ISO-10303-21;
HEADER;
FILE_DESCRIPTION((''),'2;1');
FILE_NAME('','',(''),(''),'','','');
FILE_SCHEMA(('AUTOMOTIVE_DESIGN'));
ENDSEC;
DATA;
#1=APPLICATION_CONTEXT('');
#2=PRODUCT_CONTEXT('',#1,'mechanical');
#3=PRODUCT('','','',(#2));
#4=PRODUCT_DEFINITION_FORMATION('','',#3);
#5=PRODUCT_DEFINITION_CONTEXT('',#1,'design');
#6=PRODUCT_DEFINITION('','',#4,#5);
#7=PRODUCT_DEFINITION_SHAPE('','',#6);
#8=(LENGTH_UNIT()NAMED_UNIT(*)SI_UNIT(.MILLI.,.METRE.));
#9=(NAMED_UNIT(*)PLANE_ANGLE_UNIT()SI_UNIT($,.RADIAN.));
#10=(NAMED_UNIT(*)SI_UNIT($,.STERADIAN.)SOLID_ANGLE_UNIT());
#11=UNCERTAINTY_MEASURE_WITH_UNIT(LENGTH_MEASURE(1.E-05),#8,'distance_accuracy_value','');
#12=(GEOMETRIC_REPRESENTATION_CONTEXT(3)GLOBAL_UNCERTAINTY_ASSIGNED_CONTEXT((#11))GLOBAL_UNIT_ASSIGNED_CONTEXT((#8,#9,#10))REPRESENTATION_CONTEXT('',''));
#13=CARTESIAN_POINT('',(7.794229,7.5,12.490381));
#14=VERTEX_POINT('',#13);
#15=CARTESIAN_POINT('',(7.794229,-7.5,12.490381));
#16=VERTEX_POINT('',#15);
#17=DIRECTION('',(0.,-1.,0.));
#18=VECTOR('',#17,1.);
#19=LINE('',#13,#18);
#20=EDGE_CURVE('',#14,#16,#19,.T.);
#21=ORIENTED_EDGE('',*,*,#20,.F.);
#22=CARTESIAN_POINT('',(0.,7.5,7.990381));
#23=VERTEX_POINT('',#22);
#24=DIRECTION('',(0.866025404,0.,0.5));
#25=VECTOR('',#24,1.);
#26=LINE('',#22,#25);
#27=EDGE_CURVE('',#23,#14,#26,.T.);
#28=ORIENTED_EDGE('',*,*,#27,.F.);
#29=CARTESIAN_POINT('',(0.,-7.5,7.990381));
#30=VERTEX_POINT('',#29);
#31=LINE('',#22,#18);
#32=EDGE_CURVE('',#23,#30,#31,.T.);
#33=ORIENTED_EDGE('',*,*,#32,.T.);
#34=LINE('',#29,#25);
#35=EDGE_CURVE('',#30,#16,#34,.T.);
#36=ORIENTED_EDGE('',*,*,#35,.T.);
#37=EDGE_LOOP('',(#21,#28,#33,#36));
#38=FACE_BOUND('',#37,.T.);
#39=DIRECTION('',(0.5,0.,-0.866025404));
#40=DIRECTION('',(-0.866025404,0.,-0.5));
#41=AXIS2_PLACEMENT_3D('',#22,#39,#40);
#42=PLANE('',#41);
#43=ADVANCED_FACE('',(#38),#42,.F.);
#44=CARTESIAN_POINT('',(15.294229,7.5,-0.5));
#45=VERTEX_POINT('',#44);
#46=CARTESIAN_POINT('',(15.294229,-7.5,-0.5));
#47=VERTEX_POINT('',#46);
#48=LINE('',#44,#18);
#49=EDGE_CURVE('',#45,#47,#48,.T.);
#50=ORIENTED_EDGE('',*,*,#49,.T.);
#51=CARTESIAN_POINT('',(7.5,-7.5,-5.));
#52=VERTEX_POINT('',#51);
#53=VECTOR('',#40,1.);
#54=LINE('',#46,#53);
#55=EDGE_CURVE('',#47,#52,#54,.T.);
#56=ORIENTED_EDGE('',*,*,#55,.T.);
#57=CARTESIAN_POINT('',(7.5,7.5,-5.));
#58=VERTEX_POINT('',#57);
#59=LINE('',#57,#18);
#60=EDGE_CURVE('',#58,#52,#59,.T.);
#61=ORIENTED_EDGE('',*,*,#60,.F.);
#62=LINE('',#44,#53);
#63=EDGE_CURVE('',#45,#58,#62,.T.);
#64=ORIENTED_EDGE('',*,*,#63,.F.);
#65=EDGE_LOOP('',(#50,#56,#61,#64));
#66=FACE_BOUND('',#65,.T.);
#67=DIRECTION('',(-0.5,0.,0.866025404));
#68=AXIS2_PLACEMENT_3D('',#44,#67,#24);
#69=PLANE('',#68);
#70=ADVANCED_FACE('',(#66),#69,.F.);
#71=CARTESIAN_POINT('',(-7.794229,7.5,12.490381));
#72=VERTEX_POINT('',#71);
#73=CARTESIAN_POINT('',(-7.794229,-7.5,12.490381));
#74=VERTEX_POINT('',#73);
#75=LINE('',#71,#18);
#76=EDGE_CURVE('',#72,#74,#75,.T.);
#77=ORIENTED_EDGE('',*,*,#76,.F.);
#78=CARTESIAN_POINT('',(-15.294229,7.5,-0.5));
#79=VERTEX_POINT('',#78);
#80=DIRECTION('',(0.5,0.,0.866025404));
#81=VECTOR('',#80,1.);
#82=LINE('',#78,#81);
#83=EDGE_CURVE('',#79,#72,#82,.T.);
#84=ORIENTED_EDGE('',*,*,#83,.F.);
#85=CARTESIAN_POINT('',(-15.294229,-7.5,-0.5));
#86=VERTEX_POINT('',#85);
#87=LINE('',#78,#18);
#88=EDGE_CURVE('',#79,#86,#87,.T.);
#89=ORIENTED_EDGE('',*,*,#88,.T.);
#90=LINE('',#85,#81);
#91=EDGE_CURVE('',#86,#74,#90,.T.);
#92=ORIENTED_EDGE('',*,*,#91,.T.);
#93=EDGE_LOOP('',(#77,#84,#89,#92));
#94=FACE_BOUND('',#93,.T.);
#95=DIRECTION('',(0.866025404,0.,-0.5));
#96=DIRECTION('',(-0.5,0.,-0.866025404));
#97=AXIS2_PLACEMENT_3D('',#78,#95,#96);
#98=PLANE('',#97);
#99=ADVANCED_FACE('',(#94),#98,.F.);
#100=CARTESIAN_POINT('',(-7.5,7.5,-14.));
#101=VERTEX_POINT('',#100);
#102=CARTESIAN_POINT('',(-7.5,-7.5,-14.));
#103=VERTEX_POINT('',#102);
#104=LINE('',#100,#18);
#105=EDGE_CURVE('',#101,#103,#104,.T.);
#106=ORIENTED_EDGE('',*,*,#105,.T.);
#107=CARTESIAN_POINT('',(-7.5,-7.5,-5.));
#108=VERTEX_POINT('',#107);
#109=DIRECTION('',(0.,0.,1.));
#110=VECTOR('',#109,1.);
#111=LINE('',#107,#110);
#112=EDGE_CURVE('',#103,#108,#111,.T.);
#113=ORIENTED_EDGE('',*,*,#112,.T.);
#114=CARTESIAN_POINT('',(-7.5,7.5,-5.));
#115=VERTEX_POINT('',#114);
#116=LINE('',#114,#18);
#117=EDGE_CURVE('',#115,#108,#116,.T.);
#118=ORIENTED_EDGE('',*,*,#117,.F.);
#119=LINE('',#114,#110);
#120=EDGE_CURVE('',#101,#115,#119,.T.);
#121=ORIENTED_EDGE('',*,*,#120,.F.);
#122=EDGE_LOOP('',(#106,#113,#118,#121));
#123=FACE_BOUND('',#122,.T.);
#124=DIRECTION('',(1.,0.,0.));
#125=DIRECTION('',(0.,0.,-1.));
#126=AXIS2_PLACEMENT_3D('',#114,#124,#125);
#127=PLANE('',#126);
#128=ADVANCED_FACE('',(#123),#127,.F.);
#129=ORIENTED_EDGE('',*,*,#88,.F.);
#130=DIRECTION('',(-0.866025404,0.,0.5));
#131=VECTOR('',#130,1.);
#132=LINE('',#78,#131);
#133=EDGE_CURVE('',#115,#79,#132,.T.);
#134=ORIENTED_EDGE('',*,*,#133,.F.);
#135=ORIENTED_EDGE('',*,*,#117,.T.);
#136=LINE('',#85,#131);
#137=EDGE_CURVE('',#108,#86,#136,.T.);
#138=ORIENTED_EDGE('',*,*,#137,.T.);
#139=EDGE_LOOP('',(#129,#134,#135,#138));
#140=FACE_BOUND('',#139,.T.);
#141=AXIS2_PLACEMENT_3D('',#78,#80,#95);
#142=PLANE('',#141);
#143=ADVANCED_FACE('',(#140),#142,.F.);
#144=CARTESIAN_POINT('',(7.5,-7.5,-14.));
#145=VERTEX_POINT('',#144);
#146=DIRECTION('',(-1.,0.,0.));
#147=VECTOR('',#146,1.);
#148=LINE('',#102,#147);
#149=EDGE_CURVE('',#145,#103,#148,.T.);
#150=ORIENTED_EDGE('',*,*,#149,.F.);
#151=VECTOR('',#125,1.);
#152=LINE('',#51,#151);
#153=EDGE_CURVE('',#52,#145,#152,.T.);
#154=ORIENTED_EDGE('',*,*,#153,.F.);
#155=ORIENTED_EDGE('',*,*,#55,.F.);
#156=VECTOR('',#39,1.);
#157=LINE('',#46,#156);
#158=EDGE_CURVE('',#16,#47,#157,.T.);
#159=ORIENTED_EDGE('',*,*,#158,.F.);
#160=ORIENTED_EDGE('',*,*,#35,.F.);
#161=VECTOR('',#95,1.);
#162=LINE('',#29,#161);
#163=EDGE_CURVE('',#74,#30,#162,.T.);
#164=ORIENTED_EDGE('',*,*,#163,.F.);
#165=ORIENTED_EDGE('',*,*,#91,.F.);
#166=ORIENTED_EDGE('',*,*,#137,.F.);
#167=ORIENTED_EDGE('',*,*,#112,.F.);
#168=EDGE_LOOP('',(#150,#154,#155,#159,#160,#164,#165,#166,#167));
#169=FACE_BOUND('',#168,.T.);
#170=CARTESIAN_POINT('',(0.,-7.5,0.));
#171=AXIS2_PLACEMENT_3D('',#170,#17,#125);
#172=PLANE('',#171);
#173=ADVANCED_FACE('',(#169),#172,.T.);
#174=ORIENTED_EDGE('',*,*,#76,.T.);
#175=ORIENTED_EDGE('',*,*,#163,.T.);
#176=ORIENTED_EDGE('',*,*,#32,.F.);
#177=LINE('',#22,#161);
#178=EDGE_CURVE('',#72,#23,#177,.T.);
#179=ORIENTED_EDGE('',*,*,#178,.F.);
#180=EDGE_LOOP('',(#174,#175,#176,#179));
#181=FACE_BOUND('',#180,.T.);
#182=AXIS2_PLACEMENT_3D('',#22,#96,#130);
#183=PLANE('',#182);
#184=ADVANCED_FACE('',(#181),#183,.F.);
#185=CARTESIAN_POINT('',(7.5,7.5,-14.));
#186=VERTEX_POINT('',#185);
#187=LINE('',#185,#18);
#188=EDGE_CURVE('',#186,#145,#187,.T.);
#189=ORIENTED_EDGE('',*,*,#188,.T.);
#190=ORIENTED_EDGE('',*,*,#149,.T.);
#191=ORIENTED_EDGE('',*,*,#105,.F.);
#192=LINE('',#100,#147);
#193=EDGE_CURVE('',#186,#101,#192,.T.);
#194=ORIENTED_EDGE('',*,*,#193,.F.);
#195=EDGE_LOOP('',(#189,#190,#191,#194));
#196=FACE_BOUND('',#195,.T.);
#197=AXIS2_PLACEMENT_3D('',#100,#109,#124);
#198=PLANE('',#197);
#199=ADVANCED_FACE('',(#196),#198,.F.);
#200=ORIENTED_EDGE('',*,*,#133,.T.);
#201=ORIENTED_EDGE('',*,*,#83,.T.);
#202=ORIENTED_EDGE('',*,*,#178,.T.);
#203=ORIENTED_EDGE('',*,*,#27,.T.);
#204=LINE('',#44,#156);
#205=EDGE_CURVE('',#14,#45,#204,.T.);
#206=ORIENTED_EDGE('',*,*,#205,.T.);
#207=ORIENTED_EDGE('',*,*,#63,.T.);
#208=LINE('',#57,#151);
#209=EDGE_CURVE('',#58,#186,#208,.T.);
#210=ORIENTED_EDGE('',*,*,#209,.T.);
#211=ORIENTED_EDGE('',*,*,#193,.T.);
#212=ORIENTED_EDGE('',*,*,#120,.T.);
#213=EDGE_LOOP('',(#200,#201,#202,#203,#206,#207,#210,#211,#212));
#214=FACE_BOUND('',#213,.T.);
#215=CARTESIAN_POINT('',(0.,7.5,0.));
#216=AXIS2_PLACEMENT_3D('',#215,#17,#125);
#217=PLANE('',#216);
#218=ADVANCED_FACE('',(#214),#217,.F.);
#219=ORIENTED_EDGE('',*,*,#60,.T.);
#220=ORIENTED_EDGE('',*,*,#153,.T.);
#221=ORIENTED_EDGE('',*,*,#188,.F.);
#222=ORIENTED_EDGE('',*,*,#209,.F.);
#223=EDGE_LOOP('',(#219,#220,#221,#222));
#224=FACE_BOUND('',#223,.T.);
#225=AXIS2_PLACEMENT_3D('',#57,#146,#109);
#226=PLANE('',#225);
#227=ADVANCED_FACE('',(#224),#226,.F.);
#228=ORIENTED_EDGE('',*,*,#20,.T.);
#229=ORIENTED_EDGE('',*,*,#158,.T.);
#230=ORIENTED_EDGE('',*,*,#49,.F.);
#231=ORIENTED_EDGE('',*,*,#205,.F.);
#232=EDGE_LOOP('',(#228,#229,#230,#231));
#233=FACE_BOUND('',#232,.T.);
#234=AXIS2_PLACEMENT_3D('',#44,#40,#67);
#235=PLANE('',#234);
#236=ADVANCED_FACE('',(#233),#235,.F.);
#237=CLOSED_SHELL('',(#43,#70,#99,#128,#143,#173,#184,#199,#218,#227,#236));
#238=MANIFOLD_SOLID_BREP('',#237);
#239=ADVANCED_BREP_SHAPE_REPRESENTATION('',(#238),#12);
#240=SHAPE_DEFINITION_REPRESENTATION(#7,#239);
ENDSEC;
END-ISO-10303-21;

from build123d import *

# Parameters (mm, degrees)
BOSS_EXTRUDE1_DEPTH = 7.5


with BuildPart() as part:
    # Sketch1 → Boss-Extrude1 (new, symmetric)
    with BuildSketch(Plane(origin=(0, 0, 0), x_dir=(1, 0, 0), z_dir=(0, 1, 0))):
        Polygon((15.294228634, 0.5), (7.5, 5), (7.5, 14), (-7.5, 14), (-7.5, 5), (-15.294228634, 0.5), (-7.794228634, -12.490381057), (0, -7.990381057), (7.794228634, -12.490381057), align=None)
    extrude(amount=BOSS_EXTRUDE1_DEPTH, both=True)


solid = part.part
